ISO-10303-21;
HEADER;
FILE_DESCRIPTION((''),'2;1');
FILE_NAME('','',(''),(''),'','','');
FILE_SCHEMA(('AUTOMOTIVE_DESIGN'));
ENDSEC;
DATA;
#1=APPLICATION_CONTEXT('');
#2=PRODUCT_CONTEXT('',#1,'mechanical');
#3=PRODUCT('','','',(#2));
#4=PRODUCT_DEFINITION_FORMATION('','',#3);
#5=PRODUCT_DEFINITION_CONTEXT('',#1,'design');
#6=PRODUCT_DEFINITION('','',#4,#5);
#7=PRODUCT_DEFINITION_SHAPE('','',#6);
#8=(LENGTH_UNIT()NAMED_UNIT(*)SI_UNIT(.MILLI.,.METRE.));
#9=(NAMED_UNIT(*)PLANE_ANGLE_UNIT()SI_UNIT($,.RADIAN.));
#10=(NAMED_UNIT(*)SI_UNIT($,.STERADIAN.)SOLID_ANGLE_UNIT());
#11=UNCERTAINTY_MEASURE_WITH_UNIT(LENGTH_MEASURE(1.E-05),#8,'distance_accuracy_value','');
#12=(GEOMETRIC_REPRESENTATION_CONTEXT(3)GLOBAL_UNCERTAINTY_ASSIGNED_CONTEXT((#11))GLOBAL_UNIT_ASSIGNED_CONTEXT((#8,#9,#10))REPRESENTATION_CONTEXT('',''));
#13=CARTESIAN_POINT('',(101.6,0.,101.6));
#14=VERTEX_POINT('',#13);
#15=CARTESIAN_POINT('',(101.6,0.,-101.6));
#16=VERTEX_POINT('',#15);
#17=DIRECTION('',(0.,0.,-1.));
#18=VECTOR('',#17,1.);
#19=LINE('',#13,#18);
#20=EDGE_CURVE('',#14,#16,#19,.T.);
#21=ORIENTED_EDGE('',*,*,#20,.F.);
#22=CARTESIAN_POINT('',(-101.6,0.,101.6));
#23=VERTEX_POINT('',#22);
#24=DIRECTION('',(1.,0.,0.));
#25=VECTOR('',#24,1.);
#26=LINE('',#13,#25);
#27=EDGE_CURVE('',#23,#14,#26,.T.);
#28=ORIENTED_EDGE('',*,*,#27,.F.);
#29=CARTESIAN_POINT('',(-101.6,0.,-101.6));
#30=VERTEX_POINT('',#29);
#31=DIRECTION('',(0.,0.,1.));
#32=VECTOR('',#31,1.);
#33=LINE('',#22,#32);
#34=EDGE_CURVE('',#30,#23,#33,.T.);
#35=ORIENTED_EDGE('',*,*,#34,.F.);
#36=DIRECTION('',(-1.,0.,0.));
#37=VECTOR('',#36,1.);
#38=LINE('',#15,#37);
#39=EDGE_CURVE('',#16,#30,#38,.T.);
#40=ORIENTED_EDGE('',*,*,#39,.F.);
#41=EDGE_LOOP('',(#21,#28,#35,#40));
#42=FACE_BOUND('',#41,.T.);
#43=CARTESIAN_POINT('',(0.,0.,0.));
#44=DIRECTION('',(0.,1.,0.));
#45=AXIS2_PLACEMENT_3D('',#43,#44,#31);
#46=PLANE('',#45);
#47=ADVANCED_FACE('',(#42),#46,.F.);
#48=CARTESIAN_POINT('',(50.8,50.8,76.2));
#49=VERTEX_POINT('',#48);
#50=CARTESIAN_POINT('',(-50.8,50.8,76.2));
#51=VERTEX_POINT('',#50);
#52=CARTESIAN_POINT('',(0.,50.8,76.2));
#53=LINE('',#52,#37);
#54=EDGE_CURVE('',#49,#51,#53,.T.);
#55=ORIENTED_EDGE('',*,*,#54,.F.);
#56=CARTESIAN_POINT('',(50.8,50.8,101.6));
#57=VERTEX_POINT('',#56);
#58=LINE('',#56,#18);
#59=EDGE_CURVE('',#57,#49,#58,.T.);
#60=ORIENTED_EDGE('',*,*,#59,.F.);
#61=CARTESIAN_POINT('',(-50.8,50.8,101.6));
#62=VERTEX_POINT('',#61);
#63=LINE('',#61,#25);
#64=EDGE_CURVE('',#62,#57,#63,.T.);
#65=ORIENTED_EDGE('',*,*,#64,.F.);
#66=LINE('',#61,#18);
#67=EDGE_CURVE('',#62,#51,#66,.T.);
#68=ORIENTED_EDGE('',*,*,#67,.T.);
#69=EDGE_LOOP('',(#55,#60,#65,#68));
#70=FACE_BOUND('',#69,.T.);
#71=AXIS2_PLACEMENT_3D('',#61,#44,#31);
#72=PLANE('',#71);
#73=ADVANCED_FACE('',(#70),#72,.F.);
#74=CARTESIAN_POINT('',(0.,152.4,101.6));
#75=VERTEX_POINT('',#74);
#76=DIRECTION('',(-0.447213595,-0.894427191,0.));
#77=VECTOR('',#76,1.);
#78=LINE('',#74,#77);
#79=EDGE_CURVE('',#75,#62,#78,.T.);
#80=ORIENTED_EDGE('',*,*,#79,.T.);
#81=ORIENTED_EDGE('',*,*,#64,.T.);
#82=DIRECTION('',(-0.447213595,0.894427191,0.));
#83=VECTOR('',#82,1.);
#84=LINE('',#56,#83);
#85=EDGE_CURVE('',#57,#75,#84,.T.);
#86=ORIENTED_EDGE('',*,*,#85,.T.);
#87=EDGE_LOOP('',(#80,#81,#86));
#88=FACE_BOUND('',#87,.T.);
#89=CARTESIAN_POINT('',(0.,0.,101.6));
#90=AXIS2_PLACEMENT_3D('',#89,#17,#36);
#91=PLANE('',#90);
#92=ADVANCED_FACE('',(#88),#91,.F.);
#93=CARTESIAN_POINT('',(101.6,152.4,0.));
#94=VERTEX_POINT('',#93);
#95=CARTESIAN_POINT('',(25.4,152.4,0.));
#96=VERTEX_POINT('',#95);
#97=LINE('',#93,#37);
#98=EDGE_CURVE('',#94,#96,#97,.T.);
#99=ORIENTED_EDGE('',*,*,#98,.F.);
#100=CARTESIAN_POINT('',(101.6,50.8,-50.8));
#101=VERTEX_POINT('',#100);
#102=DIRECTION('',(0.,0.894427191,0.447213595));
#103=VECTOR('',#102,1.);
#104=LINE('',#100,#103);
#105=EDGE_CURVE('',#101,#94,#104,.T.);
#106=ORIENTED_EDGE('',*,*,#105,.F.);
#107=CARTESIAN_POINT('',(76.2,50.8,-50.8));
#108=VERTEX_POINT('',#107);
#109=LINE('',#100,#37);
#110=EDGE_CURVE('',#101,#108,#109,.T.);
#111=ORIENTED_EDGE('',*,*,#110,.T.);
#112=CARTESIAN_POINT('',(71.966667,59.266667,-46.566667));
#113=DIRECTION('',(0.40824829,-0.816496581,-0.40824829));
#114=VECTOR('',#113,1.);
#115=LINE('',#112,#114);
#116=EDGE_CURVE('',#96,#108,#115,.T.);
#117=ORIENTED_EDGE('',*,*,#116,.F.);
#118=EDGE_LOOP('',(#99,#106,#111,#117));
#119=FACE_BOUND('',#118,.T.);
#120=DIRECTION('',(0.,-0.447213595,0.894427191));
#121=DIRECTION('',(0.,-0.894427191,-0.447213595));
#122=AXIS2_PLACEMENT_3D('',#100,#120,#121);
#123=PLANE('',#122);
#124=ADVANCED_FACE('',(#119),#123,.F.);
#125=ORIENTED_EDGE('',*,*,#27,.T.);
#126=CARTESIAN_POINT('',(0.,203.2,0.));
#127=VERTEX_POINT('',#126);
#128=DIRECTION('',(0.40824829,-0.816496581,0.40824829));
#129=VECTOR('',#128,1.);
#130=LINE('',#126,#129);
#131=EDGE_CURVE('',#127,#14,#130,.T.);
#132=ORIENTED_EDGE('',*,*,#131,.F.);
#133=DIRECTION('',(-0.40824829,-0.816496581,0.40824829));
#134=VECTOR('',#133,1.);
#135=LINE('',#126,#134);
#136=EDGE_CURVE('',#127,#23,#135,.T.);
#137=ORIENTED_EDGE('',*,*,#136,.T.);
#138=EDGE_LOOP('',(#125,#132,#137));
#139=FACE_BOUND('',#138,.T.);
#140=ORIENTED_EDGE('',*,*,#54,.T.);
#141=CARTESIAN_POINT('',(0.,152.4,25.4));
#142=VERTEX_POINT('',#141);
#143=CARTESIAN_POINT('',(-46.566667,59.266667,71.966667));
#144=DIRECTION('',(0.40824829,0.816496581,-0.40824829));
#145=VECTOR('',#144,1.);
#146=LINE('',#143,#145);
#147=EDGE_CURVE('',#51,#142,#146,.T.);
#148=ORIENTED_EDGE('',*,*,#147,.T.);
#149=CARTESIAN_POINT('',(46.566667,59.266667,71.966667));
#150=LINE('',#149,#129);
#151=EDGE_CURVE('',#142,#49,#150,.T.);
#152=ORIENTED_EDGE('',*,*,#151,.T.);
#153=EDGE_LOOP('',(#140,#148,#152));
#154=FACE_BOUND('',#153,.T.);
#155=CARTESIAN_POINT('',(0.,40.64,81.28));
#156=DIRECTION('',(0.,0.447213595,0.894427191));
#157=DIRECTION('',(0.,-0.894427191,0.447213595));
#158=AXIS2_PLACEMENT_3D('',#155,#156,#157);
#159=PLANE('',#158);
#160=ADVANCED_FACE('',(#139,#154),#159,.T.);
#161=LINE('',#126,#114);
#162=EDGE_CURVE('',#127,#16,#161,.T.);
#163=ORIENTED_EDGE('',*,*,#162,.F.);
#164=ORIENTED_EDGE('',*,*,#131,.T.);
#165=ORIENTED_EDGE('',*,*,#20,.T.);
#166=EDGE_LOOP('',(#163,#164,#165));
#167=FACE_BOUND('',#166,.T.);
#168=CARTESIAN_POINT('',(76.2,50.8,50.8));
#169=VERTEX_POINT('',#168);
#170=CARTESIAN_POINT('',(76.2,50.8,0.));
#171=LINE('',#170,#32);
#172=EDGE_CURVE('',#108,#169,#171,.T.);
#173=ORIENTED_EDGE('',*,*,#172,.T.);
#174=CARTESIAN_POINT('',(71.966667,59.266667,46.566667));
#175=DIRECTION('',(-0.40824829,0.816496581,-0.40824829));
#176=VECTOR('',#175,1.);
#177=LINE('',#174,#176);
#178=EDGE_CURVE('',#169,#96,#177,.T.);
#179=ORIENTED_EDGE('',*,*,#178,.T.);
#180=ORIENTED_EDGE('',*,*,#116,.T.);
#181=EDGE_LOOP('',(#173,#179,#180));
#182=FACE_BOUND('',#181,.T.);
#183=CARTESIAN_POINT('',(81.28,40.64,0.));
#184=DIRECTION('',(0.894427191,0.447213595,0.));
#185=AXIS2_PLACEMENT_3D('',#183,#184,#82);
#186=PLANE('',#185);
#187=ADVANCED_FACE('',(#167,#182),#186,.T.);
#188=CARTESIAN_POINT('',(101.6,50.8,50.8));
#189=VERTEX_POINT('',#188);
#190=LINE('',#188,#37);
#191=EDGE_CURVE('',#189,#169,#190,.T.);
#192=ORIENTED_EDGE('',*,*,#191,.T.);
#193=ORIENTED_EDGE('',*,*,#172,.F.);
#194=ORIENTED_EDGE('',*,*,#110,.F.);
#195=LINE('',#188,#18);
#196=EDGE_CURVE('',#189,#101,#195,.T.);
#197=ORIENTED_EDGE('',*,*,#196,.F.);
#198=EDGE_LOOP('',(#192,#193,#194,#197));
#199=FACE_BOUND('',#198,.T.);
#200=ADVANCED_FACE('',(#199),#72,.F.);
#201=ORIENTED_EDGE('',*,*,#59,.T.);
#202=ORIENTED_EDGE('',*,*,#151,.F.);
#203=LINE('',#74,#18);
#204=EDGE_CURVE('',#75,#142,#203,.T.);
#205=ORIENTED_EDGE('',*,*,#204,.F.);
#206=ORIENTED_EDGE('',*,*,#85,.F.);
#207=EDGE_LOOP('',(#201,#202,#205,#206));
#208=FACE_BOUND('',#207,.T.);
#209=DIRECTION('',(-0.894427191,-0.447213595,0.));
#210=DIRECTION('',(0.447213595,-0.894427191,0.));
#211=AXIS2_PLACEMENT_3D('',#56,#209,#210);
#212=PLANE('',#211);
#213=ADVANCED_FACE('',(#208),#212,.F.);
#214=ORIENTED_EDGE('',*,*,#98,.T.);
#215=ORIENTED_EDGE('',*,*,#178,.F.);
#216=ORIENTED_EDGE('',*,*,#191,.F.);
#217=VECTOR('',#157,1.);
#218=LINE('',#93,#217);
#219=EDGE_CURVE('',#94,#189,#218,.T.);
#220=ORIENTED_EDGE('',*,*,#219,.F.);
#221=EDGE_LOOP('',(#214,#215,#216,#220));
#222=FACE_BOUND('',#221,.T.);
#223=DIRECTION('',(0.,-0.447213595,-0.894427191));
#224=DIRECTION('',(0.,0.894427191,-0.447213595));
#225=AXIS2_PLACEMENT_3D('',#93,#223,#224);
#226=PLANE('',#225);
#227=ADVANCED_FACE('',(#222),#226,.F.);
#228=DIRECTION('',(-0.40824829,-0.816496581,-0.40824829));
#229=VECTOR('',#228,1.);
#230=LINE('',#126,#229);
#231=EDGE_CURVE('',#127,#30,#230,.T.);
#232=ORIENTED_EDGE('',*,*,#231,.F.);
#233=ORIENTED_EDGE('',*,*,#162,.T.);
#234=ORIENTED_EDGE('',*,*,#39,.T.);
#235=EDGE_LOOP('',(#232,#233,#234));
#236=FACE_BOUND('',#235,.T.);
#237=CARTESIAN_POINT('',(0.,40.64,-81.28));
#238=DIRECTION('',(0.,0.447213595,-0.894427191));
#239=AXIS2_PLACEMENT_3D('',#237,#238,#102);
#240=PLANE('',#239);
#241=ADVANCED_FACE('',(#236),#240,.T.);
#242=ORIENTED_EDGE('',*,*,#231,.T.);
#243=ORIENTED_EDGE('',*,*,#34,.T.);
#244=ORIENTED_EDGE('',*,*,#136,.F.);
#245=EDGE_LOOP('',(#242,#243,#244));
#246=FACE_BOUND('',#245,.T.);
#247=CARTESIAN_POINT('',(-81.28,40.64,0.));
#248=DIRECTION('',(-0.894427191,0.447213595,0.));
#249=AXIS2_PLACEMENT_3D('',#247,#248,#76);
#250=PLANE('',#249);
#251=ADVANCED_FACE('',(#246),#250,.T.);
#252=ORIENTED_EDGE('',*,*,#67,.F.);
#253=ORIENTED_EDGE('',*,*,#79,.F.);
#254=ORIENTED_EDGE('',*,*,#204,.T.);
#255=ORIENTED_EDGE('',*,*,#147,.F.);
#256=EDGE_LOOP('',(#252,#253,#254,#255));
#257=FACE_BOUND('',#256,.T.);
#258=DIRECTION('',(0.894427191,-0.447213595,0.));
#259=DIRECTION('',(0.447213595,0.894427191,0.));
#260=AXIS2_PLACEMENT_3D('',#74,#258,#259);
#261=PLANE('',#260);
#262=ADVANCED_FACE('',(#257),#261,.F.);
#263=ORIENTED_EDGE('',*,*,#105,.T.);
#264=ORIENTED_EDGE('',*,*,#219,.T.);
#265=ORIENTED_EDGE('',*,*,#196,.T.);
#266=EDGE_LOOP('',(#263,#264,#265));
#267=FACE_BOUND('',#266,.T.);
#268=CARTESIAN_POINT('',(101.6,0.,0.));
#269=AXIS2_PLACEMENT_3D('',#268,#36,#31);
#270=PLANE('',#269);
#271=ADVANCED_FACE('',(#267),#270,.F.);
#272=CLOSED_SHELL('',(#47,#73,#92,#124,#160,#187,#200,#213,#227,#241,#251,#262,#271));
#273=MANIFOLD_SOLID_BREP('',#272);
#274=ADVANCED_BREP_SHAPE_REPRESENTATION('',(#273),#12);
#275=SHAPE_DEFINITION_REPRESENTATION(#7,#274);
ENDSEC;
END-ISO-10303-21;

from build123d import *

# Parameters (mm, degrees)
BOSS_EXTRUDE1_DEPTH   = 101.6
BODY_MOVE_COPY2_ANGLE = 90


with BuildPart() as part:
    # Sketch2 → Loft2 section 0
    with BuildSketch(Plane(origin=(0, 0, 0), x_dir=(1, 0, 0), z_dir=(0, 1, 0)), mode=Mode.PRIVATE) as loft2_s0:
        with BuildLine():
            Line((101.6, -101.6), (-101.6, -101.6))
            Line((-101.6, -101.6), (-101.6, 101.6))
            Line((-101.6, 101.6), (101.6, 101.6))
            Line((101.6, 101.6), (101.6, -101.6))
        make_face()
    loft([Vertex(0, 203.2, 0), loft2_s0.sketch])


with BuildPart() as body_2:
    # Sketch5 → Boss-Extrude1 (new body)
    with BuildSketch(Plane(origin=(0, 21.452394789, 0), x_dir=(1, 0, 0), z_dir=(0, 0, 1))):
        Polygon((0, 130.947605211), (-50.8, 29.347605211), (50.8, 29.347605211), align=None)
    extrude(amount=BOSS_EXTRUDE1_DEPTH)


with BuildPart() as body_3:
    # Body-Move/Copy2: copy of body 2
    add(body_2.part.rotate(Axis((0, 0, 0), (0, 1, 0)), BODY_MOVE_COPY2_ANGLE))


with BuildPart() as part_1:
    add(part.part)

    # Combine1: union body 2, body 3
    add(body_2.part)
    add(body_3.part)


solid = part_1.part
